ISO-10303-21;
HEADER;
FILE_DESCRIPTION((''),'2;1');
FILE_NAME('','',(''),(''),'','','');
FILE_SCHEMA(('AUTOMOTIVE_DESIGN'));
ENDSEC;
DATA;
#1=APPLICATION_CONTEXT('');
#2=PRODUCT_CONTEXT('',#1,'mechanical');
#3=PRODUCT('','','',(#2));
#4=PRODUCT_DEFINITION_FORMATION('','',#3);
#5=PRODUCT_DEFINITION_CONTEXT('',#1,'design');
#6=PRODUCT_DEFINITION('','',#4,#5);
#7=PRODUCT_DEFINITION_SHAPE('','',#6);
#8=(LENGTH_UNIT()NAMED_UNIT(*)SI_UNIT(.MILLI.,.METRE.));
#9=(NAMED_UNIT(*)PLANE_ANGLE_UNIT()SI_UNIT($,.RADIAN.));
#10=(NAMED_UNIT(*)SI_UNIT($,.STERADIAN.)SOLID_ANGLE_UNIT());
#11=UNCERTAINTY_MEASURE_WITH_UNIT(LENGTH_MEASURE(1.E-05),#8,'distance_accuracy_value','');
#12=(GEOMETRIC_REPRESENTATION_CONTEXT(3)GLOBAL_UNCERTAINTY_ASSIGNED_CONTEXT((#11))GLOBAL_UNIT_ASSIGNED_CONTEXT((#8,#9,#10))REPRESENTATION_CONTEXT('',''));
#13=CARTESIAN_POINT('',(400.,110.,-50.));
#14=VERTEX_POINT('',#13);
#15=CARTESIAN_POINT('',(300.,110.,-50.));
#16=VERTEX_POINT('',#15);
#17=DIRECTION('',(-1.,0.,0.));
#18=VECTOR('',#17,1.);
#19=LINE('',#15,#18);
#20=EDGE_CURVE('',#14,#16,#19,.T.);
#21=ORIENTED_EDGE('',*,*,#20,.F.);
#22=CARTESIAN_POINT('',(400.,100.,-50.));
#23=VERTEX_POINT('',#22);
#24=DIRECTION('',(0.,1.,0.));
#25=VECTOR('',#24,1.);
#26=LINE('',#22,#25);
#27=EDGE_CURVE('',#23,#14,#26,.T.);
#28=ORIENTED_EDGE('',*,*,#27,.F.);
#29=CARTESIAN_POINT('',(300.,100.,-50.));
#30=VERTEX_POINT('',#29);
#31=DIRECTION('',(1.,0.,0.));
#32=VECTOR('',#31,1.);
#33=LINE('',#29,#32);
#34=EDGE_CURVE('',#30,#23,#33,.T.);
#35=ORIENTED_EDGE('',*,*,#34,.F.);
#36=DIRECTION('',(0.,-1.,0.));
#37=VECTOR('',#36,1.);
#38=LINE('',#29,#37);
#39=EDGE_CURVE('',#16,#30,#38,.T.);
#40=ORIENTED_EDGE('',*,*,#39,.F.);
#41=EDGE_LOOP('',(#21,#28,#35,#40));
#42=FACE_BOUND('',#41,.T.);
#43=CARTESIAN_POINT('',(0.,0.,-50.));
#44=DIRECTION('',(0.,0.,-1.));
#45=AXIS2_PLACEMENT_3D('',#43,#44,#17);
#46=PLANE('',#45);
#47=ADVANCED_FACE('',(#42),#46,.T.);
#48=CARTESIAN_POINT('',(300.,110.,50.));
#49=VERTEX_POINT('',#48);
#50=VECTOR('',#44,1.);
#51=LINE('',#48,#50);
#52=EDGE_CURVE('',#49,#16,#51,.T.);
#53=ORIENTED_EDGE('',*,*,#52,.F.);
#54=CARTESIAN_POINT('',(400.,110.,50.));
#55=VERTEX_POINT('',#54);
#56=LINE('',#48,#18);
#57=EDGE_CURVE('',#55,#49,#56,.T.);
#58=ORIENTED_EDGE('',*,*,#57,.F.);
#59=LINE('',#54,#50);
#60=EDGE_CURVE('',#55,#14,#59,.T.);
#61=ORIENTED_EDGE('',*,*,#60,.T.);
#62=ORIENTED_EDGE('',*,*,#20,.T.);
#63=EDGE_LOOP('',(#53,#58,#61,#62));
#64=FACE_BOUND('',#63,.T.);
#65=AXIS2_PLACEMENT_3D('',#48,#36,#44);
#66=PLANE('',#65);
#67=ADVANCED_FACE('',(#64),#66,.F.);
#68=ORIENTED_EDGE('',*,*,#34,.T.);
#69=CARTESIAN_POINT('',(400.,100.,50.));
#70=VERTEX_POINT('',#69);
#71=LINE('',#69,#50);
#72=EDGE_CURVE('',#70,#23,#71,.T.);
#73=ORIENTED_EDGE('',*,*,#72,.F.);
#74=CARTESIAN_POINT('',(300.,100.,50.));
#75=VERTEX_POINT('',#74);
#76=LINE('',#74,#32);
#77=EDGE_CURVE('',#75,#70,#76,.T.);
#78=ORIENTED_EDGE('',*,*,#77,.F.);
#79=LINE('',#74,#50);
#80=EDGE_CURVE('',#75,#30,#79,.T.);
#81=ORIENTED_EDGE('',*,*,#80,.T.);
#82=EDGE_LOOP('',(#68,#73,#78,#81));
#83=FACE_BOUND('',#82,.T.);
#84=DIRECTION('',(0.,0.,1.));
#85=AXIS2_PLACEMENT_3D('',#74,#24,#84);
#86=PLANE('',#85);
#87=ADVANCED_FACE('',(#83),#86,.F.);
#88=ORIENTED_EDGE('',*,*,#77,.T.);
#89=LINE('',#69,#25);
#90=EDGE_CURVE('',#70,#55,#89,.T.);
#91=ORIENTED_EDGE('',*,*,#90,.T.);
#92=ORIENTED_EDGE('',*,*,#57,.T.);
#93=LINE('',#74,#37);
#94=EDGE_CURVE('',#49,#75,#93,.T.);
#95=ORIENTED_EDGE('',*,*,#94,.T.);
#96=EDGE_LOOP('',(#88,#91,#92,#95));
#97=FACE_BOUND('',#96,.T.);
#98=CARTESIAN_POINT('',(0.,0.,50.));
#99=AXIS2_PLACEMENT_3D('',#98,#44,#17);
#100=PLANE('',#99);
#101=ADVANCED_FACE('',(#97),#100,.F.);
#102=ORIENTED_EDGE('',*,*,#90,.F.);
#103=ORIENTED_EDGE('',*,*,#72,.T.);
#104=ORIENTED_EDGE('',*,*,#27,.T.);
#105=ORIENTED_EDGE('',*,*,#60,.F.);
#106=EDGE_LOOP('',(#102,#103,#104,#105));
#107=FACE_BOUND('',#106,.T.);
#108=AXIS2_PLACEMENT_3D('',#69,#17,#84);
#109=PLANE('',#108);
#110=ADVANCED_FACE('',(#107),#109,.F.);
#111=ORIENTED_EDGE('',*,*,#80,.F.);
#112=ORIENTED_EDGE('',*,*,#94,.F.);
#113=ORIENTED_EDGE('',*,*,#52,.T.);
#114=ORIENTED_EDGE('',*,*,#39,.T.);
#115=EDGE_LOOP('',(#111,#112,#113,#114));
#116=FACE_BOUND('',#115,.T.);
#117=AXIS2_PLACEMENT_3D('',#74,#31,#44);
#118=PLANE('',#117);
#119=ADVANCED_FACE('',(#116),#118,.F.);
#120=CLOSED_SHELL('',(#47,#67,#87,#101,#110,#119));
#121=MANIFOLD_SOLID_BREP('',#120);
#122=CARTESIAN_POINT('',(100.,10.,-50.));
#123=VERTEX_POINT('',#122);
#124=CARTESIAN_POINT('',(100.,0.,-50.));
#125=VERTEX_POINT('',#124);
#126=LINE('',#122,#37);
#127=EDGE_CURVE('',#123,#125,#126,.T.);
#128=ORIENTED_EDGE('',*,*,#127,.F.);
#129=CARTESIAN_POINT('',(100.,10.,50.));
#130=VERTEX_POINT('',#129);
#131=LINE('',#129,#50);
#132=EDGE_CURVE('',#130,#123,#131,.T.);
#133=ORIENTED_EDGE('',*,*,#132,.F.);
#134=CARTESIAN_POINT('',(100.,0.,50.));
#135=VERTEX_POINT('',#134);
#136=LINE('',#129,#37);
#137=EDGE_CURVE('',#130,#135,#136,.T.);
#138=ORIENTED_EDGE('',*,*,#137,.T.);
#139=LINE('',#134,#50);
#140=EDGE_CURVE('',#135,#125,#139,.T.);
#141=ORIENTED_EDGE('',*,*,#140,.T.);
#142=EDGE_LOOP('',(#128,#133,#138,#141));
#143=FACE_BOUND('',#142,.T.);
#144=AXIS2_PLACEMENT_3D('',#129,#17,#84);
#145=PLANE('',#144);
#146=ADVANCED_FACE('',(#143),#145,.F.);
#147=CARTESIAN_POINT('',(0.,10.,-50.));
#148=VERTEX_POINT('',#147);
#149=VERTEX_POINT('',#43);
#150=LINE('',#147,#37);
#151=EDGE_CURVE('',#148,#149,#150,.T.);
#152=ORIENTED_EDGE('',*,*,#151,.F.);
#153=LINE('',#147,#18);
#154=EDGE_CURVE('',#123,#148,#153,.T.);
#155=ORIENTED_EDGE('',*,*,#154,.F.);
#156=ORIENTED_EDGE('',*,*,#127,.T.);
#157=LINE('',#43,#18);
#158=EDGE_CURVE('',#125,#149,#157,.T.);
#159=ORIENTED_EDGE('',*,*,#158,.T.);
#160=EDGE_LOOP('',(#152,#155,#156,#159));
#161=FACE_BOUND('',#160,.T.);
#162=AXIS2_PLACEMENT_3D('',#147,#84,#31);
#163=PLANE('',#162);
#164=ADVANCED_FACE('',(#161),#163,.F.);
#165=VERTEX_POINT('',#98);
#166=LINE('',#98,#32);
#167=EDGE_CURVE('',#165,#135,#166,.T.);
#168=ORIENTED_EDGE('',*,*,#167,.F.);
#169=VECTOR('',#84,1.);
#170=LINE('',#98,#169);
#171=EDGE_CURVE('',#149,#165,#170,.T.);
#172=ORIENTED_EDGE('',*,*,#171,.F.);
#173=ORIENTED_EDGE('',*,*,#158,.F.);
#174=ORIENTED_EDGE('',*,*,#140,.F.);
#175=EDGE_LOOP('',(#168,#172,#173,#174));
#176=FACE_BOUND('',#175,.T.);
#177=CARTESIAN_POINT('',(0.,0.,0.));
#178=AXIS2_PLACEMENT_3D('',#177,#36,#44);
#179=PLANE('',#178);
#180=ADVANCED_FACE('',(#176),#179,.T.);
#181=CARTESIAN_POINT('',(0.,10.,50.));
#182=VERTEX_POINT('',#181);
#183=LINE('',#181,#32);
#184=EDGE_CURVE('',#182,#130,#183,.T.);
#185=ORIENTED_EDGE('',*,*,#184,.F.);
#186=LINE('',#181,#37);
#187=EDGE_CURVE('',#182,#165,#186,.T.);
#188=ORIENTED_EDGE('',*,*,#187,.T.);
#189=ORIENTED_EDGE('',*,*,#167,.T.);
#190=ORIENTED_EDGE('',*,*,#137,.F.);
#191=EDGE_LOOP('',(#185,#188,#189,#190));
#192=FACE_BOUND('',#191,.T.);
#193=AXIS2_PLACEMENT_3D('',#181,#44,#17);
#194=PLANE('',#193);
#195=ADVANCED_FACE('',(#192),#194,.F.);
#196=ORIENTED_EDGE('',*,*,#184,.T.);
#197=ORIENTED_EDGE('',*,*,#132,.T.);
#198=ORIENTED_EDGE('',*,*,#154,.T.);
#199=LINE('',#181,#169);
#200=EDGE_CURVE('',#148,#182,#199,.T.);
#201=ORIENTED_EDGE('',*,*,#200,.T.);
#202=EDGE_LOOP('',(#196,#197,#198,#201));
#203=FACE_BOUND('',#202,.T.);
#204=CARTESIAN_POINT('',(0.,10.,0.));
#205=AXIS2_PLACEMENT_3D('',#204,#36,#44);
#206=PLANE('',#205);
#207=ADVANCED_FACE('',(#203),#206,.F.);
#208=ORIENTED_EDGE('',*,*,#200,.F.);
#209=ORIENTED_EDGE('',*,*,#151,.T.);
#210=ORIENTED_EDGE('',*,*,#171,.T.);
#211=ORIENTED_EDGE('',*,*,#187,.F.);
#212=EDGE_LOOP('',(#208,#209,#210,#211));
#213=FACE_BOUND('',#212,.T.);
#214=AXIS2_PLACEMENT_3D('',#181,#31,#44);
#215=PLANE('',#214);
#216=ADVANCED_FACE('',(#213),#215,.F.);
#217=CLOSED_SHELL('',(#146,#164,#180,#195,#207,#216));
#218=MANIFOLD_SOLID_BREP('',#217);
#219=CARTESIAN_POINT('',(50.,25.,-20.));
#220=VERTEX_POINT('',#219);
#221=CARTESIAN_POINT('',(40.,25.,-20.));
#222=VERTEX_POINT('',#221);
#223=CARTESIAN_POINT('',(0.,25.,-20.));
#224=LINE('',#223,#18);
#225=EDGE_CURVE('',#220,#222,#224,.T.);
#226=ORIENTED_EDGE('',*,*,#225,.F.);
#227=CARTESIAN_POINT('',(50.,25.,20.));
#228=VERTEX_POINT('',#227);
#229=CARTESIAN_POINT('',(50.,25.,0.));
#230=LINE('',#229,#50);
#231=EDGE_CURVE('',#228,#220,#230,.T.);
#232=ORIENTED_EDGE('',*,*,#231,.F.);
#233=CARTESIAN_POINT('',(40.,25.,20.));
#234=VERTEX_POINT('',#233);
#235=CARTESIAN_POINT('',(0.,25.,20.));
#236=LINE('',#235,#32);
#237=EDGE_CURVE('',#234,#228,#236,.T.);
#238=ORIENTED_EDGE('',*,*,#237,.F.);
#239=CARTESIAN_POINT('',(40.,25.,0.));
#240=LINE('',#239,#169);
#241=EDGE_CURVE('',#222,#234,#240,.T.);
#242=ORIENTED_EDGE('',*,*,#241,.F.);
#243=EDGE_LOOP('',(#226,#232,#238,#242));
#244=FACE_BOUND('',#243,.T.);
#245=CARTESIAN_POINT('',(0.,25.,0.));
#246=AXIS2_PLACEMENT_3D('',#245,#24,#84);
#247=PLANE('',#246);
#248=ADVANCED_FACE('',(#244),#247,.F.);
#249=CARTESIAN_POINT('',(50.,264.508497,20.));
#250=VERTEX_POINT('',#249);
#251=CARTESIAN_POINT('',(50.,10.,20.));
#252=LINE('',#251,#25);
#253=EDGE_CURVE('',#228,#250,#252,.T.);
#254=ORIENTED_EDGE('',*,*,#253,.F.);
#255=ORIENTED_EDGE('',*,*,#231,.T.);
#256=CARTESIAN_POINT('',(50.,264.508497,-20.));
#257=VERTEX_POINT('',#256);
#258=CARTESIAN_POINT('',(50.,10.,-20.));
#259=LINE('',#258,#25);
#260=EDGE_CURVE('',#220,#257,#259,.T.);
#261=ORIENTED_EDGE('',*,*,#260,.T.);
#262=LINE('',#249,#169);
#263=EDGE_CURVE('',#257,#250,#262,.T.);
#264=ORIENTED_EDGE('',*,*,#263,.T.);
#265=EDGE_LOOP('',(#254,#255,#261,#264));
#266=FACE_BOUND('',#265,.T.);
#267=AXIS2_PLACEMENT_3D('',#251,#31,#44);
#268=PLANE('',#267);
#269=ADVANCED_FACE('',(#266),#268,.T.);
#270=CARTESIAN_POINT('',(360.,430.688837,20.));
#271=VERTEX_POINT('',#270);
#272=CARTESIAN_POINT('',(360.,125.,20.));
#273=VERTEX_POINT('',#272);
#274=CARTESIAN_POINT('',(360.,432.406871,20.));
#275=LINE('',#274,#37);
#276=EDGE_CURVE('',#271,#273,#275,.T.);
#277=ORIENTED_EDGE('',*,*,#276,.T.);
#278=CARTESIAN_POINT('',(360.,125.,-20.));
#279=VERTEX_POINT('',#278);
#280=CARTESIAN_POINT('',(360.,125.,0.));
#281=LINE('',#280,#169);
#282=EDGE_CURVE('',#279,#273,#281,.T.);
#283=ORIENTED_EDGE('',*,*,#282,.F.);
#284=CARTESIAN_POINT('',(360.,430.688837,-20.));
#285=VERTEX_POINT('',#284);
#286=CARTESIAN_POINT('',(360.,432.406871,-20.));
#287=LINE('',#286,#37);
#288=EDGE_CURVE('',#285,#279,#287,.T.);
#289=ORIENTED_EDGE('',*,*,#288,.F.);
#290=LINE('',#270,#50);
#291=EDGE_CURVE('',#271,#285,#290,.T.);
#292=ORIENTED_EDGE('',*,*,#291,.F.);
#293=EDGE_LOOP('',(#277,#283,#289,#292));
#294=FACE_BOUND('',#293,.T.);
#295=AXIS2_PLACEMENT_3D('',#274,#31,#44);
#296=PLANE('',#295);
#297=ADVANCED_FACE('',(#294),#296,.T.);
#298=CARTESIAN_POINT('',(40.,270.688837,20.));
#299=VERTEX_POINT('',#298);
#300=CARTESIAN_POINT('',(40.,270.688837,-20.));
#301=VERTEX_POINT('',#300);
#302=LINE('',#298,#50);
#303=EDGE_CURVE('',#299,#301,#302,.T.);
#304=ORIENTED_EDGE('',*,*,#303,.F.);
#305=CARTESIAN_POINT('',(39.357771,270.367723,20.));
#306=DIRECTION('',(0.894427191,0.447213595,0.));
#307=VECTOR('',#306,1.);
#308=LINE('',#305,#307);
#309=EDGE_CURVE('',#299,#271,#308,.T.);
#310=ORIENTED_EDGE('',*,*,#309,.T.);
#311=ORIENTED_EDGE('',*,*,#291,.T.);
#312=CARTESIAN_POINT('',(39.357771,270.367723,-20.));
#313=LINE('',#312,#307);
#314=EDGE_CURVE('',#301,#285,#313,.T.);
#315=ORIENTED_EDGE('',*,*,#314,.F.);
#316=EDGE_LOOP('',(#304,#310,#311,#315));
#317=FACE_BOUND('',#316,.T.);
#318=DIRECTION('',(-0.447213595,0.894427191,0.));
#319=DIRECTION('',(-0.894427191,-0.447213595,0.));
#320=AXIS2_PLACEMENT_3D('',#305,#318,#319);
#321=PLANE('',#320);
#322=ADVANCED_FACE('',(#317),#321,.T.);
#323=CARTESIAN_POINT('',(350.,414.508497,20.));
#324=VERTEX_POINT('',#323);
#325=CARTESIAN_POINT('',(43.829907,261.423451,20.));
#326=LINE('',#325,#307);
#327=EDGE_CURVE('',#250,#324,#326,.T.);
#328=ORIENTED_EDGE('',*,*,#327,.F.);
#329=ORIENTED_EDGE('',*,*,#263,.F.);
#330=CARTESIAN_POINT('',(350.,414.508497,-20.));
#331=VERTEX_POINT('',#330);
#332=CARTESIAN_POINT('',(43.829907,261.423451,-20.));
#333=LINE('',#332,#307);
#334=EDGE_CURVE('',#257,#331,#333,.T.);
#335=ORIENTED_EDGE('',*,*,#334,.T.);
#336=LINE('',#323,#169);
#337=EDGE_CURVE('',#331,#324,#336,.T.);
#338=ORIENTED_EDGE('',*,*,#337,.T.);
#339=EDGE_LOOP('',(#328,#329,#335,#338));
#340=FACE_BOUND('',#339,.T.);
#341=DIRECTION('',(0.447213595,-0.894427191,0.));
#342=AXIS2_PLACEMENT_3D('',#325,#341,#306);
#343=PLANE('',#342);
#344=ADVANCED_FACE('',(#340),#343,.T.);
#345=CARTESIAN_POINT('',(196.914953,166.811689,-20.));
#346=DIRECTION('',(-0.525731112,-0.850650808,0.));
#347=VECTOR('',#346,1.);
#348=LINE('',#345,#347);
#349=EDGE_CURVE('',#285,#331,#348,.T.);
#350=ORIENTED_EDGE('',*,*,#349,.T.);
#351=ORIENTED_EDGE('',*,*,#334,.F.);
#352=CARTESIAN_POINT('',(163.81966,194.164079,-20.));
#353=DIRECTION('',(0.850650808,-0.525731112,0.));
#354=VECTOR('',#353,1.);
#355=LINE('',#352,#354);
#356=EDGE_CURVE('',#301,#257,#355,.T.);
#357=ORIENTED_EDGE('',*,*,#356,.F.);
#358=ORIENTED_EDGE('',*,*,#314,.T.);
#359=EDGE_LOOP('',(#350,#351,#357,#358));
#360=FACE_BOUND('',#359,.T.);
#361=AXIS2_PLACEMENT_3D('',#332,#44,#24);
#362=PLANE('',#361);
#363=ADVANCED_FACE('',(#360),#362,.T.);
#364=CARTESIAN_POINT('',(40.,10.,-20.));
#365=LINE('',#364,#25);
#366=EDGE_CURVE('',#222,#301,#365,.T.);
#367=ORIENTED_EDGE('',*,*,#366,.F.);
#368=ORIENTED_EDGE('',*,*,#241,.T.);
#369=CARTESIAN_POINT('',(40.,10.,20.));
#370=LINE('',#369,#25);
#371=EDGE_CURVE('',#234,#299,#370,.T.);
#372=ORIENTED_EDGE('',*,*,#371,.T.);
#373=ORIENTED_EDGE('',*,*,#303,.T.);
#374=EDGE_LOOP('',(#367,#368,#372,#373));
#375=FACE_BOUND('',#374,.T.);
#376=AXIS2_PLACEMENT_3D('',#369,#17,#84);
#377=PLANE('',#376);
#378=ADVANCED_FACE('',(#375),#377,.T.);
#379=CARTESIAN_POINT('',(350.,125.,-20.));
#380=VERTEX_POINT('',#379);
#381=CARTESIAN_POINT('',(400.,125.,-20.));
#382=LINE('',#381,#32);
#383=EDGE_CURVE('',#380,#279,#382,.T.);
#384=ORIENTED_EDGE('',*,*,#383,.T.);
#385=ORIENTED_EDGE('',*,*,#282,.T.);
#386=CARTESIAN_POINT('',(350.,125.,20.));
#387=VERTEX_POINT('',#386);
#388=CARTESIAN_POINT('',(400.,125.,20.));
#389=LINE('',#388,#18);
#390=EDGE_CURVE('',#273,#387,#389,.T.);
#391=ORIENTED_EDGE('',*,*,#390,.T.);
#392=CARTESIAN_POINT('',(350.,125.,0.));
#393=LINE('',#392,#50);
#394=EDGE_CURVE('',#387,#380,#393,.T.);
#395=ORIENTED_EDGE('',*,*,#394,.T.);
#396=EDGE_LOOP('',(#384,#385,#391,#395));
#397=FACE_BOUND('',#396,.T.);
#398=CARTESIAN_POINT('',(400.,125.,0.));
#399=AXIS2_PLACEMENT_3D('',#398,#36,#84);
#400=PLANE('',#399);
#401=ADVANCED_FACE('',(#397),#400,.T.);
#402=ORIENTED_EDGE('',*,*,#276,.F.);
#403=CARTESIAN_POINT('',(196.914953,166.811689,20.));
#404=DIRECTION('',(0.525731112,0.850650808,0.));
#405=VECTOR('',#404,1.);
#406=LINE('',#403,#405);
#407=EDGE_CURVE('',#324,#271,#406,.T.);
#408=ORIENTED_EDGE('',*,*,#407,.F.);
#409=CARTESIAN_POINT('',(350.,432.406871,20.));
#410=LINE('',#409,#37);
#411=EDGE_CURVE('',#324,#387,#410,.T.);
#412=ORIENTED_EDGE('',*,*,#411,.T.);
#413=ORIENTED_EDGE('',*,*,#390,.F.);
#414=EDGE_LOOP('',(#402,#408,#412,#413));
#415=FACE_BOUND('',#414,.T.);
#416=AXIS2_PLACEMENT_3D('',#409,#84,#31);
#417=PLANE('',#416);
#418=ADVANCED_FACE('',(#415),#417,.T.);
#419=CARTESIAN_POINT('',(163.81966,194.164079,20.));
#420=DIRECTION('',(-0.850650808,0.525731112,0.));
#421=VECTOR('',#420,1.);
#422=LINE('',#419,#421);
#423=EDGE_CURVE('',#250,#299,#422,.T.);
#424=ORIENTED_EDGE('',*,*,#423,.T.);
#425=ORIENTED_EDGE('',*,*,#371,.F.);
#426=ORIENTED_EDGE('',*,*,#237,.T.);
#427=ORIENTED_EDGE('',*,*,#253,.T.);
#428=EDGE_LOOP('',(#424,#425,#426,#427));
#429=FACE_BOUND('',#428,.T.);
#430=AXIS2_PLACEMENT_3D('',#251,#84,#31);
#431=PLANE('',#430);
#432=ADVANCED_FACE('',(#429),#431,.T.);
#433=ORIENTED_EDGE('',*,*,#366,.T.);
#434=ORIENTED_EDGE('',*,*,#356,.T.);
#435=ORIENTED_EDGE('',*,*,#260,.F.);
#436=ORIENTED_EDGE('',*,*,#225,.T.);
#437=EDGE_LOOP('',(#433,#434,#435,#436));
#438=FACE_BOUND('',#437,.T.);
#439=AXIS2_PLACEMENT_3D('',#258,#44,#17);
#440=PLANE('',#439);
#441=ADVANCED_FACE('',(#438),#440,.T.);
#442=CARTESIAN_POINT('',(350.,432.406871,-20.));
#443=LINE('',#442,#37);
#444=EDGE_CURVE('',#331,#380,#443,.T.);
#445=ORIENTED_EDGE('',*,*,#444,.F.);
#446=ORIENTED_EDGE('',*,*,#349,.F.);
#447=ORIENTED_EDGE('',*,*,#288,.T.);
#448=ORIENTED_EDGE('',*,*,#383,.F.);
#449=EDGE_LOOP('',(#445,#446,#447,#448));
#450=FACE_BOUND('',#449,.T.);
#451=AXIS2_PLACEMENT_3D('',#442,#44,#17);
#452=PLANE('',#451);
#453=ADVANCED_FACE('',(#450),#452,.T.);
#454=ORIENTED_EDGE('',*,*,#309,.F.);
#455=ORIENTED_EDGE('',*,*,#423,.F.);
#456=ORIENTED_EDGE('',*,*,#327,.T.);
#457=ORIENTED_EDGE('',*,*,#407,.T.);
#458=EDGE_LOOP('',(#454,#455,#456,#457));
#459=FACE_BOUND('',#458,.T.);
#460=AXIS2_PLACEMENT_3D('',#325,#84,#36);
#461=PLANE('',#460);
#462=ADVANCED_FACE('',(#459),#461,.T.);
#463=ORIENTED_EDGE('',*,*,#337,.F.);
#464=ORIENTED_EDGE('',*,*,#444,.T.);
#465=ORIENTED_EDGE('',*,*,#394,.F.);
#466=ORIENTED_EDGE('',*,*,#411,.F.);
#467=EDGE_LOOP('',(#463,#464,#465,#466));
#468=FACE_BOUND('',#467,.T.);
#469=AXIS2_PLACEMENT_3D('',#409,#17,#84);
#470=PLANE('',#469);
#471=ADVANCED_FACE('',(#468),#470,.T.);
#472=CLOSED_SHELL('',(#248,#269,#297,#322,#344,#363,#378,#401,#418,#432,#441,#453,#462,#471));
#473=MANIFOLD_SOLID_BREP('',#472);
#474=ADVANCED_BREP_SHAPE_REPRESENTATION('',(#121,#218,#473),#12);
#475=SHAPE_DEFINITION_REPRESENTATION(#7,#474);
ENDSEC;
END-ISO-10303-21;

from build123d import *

# Parameters (mm, degrees)
SKIZZE1_W                       = 100
SKIZZE1_H                       = 100
AUFSATZ_LINEAR_AUSTRAGEN1_DEPTH = 10
SKIZZE2_W                       = 100
SKIZZE2_H                       = 10
AUFSATZ_LINEAR_AUSTRAGEN2_DEPTH = 50
SKIZZE4_W                       = 10
SKIZZE4_H                       = 40
FL_CHE_VERSCHIEBEN1_BY          = 15
FL_CHE_VERSCHIEBEN1_2_BY        = 15


with BuildPart() as part:
    # Skizze1 → Aufsatz-Linear austragen1 (new body)
    with BuildSketch(Plane(origin=(0, 0, 0), x_dir=(1, 0, 0), z_dir=(0, 1, 0))):
        with Locations((50, 0)):
            Rectangle(SKIZZE1_W, SKIZZE1_H)
    extrude(amount=AUFSATZ_LINEAR_AUSTRAGEN1_DEPTH)


with BuildPart() as body_2:
    # Skizze2 → Aufsatz-Linear austragen2 (new, symmetric)
    with BuildSketch(Plane.XY):
        with Locations((350, 105)):
            Rectangle(SKIZZE2_W, SKIZZE2_H)
    extrude(amount=AUFSATZ_LINEAR_AUSTRAGEN2_DEPTH, both=True)


with BuildPart() as body_3:
    # Austragung1: sweep along a path in Skizze3
    with BuildLine(Plane.XY) as austragung1_path:
        Line((50, 10), (50, 264.508497187))
        Line((50, 264.508497187), (350, 414.508497187))
        Line((350, 414.508497187), (350, 110))
    # Skizze4 → Austragung1 (sweep)
    with BuildSketch(Plane(origin=(0, 10, 0), x_dir=(1, 0, 0), z_dir=(0, 1, 0))):
        with Locations((45, 0)):
            Rectangle(SKIZZE4_W, SKIZZE4_H)
    sweep(path=austragung1_path.line, transition=Transition.RIGHT)

    # Fläche verschieben1: a face moved inward by 15.0
    extrude(body_3.faces().sort_by_distance((355, 110, 0))[0], amount=FL_CHE_VERSCHIEBEN1_BY, dir=(0, 1, 0), mode=Mode.SUBTRACT)

    # Fl_che verschieben1 2: a face moved inward by 15.0
    extrude(body_3.faces().sort_by_distance((45, 10, 0))[0], amount=FL_CHE_VERSCHIEBEN1_2_BY, dir=(0, 1, 0), mode=Mode.SUBTRACT)


solid = Compound([part.part, body_2.part, body_3.part])
